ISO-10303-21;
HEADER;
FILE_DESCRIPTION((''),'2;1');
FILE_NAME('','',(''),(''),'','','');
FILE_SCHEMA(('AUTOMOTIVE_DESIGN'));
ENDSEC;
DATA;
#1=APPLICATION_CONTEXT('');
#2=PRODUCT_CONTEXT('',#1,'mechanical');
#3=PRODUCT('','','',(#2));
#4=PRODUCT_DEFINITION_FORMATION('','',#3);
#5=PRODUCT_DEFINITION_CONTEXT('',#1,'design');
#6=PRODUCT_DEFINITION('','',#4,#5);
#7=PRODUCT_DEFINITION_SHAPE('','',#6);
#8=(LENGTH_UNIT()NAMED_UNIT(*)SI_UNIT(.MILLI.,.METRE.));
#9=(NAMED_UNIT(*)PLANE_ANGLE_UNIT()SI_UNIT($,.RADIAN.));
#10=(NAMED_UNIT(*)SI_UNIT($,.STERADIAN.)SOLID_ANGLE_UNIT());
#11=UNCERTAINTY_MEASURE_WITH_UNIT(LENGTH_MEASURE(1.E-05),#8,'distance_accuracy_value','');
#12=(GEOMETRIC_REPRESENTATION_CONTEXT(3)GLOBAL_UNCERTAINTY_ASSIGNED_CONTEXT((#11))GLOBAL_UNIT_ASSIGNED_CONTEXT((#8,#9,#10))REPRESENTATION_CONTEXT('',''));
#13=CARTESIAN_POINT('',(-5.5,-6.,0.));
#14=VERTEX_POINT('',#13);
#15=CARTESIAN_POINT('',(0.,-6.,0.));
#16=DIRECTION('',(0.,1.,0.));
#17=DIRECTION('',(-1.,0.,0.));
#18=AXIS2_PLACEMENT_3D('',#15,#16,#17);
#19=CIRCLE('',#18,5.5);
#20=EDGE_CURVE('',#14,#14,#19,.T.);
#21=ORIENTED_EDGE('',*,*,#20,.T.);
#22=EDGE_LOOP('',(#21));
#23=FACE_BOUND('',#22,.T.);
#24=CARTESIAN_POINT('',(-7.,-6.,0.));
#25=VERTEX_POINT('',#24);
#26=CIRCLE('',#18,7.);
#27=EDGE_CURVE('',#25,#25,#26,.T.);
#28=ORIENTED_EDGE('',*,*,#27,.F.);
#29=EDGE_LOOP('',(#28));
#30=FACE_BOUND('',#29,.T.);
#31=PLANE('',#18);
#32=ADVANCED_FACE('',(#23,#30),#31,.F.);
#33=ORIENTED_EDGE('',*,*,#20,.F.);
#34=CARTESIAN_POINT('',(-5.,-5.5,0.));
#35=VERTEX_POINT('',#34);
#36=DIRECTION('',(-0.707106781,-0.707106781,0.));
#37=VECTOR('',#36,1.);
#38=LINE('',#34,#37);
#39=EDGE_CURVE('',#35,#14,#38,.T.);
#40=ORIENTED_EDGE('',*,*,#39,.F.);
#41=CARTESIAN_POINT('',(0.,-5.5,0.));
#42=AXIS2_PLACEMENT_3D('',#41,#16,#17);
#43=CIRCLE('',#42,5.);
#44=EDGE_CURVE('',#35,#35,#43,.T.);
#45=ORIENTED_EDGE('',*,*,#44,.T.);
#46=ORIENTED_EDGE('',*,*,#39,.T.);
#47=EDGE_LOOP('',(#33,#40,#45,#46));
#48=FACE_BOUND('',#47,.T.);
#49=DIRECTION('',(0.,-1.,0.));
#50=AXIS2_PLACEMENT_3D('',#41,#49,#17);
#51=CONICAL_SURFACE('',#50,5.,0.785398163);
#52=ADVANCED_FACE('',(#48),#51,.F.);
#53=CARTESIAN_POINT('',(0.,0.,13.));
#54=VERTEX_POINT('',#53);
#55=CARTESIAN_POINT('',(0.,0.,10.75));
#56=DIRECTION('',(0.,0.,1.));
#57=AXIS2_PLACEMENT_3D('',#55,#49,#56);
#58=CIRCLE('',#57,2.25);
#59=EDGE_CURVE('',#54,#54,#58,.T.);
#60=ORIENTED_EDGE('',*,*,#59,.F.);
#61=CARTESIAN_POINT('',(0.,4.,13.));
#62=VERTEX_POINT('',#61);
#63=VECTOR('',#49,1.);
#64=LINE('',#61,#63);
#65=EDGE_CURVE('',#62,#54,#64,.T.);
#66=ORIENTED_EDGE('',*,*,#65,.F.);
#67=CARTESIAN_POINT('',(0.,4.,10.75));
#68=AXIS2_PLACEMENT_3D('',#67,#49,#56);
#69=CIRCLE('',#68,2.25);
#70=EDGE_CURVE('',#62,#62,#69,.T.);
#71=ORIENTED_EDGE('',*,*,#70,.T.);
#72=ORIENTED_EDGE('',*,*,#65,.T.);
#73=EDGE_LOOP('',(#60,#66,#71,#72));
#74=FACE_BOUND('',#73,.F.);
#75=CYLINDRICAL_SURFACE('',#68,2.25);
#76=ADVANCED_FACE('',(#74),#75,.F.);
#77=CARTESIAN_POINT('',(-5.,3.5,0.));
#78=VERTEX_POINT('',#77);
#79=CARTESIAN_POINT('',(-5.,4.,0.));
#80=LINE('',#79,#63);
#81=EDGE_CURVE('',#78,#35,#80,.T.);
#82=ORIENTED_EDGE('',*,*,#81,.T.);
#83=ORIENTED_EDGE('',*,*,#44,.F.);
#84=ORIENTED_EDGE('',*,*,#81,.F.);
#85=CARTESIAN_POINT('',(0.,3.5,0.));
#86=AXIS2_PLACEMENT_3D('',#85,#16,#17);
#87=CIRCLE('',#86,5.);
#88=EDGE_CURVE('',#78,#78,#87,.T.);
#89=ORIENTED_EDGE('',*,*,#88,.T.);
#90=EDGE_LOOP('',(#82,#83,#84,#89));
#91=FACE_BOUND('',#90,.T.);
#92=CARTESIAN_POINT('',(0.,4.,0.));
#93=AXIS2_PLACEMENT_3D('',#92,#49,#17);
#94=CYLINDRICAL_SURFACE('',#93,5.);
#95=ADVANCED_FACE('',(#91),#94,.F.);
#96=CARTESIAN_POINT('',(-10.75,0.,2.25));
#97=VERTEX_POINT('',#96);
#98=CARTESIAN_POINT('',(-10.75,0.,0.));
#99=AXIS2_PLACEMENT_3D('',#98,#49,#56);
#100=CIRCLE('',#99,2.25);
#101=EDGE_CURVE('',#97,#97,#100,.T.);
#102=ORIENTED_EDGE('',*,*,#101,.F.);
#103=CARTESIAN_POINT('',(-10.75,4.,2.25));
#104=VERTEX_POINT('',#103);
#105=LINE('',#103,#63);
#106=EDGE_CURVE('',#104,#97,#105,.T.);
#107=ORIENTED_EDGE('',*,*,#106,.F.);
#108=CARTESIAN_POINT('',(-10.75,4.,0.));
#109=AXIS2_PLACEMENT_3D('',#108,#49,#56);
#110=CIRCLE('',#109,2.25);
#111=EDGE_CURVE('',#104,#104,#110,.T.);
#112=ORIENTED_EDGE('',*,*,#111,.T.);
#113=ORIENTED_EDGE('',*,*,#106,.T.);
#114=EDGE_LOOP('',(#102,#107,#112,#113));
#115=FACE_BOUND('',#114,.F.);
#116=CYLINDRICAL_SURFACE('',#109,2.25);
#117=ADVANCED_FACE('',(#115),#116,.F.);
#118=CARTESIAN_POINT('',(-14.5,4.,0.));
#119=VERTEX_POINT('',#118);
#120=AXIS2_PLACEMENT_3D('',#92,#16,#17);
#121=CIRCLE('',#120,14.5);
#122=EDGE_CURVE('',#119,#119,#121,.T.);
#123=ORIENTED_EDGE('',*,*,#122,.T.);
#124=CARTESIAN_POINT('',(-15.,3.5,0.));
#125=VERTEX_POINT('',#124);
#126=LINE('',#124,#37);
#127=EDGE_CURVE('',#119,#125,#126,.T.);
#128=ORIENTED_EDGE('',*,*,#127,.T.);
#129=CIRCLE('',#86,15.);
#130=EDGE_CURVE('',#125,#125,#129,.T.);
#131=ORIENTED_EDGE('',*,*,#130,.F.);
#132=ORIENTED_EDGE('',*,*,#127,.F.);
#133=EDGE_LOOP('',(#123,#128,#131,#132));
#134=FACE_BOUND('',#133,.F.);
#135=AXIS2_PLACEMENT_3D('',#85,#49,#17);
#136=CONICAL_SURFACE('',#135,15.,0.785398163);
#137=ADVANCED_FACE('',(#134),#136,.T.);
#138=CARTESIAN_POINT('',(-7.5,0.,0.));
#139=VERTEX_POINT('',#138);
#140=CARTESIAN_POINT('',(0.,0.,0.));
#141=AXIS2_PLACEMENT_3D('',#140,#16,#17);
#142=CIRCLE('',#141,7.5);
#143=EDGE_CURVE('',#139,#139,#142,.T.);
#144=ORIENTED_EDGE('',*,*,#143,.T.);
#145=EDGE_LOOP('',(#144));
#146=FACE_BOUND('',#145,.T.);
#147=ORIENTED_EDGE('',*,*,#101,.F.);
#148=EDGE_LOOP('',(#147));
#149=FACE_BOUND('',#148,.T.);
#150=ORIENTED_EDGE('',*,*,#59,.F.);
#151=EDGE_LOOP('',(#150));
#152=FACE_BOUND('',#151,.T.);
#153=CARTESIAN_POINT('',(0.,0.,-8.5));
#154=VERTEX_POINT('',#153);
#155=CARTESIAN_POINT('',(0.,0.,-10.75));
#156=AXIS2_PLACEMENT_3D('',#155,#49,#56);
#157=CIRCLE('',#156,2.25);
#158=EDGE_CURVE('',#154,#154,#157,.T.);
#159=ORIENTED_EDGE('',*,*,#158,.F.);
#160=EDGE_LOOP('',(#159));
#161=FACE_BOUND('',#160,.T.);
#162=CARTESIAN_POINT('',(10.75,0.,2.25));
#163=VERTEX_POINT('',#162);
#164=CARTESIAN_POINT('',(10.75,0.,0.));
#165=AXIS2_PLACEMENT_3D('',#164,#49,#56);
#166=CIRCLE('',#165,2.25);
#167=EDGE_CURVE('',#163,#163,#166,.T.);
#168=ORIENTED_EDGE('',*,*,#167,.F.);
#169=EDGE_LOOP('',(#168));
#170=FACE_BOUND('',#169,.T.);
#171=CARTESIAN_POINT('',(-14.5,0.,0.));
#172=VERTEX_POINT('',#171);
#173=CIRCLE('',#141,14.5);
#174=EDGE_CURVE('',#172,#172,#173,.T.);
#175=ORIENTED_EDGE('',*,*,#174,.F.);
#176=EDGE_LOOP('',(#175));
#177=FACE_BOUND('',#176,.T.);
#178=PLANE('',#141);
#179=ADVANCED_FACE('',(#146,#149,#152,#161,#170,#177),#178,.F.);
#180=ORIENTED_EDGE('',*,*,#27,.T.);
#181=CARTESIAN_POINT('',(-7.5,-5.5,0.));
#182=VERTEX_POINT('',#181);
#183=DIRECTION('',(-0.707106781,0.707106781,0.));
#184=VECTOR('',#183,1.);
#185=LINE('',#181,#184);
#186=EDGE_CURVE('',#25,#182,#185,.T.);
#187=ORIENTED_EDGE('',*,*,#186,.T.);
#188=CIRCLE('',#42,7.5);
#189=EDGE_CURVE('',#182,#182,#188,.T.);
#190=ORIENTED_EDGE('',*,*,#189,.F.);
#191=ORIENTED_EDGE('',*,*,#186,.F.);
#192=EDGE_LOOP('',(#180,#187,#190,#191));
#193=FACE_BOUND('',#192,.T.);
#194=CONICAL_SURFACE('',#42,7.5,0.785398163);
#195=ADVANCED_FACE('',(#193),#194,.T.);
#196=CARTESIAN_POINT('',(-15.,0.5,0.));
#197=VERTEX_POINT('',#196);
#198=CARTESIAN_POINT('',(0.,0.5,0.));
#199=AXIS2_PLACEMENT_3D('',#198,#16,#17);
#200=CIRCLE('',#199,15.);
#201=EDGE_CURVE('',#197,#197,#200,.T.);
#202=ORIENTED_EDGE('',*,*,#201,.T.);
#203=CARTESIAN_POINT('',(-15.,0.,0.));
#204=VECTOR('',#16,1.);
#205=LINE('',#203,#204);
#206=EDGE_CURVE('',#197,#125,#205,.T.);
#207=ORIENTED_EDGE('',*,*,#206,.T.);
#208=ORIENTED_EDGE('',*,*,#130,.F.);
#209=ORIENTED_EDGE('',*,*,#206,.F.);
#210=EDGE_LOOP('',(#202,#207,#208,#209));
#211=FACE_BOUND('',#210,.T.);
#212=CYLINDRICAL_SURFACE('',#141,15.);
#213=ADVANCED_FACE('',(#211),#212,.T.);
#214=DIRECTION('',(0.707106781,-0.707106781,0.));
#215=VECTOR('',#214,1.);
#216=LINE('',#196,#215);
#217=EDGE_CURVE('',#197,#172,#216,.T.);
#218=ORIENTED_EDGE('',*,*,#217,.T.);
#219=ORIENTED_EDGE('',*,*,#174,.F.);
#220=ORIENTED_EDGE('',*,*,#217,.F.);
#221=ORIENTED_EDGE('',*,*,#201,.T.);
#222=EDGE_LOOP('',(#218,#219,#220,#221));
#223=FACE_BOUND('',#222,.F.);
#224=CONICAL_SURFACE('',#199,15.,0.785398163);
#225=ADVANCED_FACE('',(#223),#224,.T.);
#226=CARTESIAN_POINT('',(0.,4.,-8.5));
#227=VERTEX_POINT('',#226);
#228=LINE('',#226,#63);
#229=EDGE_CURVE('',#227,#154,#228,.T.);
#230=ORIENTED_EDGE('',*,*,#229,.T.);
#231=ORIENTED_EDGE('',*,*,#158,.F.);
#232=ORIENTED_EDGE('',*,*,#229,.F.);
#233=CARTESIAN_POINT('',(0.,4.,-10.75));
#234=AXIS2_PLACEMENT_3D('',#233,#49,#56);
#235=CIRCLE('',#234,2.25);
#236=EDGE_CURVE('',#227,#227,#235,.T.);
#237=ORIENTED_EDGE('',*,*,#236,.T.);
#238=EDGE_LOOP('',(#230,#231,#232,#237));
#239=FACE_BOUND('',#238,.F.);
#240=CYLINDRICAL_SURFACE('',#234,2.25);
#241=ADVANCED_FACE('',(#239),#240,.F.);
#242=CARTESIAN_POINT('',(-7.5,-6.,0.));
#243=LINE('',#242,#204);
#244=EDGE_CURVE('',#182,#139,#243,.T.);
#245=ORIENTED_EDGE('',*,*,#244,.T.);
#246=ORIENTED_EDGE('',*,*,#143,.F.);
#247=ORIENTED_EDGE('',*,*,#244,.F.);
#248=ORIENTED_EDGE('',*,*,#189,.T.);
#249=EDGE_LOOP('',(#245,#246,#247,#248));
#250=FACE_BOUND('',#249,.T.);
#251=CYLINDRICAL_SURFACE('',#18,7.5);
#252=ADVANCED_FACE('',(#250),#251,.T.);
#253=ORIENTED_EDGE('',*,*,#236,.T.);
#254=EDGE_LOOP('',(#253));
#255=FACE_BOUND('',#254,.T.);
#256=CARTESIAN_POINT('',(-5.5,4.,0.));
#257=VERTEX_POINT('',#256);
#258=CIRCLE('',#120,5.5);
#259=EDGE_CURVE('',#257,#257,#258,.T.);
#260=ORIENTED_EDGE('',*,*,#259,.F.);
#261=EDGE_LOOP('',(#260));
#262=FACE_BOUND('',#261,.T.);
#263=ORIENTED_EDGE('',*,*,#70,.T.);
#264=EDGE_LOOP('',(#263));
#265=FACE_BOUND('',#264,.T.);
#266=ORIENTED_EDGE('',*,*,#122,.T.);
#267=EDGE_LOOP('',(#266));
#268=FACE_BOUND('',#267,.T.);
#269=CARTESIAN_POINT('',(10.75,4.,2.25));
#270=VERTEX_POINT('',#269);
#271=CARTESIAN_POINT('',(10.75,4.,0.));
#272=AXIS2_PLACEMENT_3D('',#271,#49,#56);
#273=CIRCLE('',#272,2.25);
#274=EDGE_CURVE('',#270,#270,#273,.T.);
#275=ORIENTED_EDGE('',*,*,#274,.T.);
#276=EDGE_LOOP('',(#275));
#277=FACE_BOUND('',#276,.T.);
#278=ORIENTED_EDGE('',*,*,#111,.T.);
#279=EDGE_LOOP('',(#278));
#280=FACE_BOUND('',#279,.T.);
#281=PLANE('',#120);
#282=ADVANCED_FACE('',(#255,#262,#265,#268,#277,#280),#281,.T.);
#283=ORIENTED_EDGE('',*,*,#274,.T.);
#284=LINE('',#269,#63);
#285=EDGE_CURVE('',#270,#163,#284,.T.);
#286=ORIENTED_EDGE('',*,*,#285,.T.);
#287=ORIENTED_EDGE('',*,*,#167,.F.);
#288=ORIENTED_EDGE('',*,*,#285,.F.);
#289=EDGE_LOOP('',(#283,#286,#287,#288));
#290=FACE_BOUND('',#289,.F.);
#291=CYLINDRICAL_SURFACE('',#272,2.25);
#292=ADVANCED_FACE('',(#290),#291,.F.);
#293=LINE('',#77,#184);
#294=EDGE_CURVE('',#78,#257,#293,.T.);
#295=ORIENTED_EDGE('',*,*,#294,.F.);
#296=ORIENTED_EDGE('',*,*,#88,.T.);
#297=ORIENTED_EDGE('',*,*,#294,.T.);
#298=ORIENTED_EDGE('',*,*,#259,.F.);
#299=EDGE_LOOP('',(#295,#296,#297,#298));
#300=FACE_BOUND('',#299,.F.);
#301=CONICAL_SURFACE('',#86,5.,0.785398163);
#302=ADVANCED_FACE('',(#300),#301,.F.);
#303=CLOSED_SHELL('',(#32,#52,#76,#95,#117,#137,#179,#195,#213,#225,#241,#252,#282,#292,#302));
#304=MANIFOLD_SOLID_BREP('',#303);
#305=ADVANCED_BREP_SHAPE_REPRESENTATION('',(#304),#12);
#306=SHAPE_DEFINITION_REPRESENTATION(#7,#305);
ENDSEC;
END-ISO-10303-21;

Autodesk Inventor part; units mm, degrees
ref_plane "YZ Plane" through (0, 0, 0) normal (1, 0, 0) x (0, 1, 0)
ref_plane "XZ Plane" through (0, 0, 0) normal (0, 1, 0) x (-1, 0, 0)
ref_plane "XY Plane" through (0, 0, 0) normal (0, 0, 1) x (1, 0, 0)
sketch "Esboço1" plane through (0, 0, 0) normal (0, 0, 1) x (1, 0, 0)
  line L0 (-18, 0) -> (3, 0) construction
  line L1 (0, -8) -> (0, 6) construction
  line L2 (-5, 4) -> (-5, -6)
  line L3 (-5, -6) -> (-7.5, -6)
  line L4 (-7.5, -6) -> (-7.5, 0)
  line L5 (-7.5, 0) -> (-15, 0)
  line L6 (-15, 0) -> (-15, 4)
  line L7 (-15, 4) -> (-5, 4)
  point P0 (0, 0)
  dimension "d0" = 30
  dimension "d1" = 10
  dimension "d2" = 4
  dimension "d3" = 10
  dimension "d4" = 15
revolve "Revolução1" add sketch "Esboço1" angle 360 about axis through (0, -10, 0) along (0, 1, 0)
sketch "Esboço2" plane through (0, 4, 0) normal (0, 1, 0) x (1, 0, 0)
  line L0 (-21, 0) -> (21, 0) construction
  line L1 (0, 21) -> (0, -21) construction
  circle A0 centre (0, 0) radius 10.75 construction
  circle A1 centre (0, -10.75) radius 3.5
  circle A2 centre (0, -10.75) radius 2.25
  point P0 (-10.75, 0)
  point P1 (10.75, 0)
  point P2 (0, 10.75)
  dimension "d6" = 21.5
  dimension "d7" = 7
  dimension "d8" = 4.5
hole "Furo1" at (-10.75, 4, 0) at (10.75, 4, 0) at (0, 4, 10.75) at (0, 4, -10.75) direction (0, -1, 0) diameter 4.5 end through all clearance for "Socket Head Cap Screw ISO 4762" size "M4" standard "ISO"
chamfer "Chanfro1" distance 0.5 angle 45 5 edges at (15, 4, 0) (15, 0, 0) (5, 4, 0) (5, -6, 0) (7.5, -6, 0)
properties part number "Compensador Limitador" material "Aço SAE 1045"
